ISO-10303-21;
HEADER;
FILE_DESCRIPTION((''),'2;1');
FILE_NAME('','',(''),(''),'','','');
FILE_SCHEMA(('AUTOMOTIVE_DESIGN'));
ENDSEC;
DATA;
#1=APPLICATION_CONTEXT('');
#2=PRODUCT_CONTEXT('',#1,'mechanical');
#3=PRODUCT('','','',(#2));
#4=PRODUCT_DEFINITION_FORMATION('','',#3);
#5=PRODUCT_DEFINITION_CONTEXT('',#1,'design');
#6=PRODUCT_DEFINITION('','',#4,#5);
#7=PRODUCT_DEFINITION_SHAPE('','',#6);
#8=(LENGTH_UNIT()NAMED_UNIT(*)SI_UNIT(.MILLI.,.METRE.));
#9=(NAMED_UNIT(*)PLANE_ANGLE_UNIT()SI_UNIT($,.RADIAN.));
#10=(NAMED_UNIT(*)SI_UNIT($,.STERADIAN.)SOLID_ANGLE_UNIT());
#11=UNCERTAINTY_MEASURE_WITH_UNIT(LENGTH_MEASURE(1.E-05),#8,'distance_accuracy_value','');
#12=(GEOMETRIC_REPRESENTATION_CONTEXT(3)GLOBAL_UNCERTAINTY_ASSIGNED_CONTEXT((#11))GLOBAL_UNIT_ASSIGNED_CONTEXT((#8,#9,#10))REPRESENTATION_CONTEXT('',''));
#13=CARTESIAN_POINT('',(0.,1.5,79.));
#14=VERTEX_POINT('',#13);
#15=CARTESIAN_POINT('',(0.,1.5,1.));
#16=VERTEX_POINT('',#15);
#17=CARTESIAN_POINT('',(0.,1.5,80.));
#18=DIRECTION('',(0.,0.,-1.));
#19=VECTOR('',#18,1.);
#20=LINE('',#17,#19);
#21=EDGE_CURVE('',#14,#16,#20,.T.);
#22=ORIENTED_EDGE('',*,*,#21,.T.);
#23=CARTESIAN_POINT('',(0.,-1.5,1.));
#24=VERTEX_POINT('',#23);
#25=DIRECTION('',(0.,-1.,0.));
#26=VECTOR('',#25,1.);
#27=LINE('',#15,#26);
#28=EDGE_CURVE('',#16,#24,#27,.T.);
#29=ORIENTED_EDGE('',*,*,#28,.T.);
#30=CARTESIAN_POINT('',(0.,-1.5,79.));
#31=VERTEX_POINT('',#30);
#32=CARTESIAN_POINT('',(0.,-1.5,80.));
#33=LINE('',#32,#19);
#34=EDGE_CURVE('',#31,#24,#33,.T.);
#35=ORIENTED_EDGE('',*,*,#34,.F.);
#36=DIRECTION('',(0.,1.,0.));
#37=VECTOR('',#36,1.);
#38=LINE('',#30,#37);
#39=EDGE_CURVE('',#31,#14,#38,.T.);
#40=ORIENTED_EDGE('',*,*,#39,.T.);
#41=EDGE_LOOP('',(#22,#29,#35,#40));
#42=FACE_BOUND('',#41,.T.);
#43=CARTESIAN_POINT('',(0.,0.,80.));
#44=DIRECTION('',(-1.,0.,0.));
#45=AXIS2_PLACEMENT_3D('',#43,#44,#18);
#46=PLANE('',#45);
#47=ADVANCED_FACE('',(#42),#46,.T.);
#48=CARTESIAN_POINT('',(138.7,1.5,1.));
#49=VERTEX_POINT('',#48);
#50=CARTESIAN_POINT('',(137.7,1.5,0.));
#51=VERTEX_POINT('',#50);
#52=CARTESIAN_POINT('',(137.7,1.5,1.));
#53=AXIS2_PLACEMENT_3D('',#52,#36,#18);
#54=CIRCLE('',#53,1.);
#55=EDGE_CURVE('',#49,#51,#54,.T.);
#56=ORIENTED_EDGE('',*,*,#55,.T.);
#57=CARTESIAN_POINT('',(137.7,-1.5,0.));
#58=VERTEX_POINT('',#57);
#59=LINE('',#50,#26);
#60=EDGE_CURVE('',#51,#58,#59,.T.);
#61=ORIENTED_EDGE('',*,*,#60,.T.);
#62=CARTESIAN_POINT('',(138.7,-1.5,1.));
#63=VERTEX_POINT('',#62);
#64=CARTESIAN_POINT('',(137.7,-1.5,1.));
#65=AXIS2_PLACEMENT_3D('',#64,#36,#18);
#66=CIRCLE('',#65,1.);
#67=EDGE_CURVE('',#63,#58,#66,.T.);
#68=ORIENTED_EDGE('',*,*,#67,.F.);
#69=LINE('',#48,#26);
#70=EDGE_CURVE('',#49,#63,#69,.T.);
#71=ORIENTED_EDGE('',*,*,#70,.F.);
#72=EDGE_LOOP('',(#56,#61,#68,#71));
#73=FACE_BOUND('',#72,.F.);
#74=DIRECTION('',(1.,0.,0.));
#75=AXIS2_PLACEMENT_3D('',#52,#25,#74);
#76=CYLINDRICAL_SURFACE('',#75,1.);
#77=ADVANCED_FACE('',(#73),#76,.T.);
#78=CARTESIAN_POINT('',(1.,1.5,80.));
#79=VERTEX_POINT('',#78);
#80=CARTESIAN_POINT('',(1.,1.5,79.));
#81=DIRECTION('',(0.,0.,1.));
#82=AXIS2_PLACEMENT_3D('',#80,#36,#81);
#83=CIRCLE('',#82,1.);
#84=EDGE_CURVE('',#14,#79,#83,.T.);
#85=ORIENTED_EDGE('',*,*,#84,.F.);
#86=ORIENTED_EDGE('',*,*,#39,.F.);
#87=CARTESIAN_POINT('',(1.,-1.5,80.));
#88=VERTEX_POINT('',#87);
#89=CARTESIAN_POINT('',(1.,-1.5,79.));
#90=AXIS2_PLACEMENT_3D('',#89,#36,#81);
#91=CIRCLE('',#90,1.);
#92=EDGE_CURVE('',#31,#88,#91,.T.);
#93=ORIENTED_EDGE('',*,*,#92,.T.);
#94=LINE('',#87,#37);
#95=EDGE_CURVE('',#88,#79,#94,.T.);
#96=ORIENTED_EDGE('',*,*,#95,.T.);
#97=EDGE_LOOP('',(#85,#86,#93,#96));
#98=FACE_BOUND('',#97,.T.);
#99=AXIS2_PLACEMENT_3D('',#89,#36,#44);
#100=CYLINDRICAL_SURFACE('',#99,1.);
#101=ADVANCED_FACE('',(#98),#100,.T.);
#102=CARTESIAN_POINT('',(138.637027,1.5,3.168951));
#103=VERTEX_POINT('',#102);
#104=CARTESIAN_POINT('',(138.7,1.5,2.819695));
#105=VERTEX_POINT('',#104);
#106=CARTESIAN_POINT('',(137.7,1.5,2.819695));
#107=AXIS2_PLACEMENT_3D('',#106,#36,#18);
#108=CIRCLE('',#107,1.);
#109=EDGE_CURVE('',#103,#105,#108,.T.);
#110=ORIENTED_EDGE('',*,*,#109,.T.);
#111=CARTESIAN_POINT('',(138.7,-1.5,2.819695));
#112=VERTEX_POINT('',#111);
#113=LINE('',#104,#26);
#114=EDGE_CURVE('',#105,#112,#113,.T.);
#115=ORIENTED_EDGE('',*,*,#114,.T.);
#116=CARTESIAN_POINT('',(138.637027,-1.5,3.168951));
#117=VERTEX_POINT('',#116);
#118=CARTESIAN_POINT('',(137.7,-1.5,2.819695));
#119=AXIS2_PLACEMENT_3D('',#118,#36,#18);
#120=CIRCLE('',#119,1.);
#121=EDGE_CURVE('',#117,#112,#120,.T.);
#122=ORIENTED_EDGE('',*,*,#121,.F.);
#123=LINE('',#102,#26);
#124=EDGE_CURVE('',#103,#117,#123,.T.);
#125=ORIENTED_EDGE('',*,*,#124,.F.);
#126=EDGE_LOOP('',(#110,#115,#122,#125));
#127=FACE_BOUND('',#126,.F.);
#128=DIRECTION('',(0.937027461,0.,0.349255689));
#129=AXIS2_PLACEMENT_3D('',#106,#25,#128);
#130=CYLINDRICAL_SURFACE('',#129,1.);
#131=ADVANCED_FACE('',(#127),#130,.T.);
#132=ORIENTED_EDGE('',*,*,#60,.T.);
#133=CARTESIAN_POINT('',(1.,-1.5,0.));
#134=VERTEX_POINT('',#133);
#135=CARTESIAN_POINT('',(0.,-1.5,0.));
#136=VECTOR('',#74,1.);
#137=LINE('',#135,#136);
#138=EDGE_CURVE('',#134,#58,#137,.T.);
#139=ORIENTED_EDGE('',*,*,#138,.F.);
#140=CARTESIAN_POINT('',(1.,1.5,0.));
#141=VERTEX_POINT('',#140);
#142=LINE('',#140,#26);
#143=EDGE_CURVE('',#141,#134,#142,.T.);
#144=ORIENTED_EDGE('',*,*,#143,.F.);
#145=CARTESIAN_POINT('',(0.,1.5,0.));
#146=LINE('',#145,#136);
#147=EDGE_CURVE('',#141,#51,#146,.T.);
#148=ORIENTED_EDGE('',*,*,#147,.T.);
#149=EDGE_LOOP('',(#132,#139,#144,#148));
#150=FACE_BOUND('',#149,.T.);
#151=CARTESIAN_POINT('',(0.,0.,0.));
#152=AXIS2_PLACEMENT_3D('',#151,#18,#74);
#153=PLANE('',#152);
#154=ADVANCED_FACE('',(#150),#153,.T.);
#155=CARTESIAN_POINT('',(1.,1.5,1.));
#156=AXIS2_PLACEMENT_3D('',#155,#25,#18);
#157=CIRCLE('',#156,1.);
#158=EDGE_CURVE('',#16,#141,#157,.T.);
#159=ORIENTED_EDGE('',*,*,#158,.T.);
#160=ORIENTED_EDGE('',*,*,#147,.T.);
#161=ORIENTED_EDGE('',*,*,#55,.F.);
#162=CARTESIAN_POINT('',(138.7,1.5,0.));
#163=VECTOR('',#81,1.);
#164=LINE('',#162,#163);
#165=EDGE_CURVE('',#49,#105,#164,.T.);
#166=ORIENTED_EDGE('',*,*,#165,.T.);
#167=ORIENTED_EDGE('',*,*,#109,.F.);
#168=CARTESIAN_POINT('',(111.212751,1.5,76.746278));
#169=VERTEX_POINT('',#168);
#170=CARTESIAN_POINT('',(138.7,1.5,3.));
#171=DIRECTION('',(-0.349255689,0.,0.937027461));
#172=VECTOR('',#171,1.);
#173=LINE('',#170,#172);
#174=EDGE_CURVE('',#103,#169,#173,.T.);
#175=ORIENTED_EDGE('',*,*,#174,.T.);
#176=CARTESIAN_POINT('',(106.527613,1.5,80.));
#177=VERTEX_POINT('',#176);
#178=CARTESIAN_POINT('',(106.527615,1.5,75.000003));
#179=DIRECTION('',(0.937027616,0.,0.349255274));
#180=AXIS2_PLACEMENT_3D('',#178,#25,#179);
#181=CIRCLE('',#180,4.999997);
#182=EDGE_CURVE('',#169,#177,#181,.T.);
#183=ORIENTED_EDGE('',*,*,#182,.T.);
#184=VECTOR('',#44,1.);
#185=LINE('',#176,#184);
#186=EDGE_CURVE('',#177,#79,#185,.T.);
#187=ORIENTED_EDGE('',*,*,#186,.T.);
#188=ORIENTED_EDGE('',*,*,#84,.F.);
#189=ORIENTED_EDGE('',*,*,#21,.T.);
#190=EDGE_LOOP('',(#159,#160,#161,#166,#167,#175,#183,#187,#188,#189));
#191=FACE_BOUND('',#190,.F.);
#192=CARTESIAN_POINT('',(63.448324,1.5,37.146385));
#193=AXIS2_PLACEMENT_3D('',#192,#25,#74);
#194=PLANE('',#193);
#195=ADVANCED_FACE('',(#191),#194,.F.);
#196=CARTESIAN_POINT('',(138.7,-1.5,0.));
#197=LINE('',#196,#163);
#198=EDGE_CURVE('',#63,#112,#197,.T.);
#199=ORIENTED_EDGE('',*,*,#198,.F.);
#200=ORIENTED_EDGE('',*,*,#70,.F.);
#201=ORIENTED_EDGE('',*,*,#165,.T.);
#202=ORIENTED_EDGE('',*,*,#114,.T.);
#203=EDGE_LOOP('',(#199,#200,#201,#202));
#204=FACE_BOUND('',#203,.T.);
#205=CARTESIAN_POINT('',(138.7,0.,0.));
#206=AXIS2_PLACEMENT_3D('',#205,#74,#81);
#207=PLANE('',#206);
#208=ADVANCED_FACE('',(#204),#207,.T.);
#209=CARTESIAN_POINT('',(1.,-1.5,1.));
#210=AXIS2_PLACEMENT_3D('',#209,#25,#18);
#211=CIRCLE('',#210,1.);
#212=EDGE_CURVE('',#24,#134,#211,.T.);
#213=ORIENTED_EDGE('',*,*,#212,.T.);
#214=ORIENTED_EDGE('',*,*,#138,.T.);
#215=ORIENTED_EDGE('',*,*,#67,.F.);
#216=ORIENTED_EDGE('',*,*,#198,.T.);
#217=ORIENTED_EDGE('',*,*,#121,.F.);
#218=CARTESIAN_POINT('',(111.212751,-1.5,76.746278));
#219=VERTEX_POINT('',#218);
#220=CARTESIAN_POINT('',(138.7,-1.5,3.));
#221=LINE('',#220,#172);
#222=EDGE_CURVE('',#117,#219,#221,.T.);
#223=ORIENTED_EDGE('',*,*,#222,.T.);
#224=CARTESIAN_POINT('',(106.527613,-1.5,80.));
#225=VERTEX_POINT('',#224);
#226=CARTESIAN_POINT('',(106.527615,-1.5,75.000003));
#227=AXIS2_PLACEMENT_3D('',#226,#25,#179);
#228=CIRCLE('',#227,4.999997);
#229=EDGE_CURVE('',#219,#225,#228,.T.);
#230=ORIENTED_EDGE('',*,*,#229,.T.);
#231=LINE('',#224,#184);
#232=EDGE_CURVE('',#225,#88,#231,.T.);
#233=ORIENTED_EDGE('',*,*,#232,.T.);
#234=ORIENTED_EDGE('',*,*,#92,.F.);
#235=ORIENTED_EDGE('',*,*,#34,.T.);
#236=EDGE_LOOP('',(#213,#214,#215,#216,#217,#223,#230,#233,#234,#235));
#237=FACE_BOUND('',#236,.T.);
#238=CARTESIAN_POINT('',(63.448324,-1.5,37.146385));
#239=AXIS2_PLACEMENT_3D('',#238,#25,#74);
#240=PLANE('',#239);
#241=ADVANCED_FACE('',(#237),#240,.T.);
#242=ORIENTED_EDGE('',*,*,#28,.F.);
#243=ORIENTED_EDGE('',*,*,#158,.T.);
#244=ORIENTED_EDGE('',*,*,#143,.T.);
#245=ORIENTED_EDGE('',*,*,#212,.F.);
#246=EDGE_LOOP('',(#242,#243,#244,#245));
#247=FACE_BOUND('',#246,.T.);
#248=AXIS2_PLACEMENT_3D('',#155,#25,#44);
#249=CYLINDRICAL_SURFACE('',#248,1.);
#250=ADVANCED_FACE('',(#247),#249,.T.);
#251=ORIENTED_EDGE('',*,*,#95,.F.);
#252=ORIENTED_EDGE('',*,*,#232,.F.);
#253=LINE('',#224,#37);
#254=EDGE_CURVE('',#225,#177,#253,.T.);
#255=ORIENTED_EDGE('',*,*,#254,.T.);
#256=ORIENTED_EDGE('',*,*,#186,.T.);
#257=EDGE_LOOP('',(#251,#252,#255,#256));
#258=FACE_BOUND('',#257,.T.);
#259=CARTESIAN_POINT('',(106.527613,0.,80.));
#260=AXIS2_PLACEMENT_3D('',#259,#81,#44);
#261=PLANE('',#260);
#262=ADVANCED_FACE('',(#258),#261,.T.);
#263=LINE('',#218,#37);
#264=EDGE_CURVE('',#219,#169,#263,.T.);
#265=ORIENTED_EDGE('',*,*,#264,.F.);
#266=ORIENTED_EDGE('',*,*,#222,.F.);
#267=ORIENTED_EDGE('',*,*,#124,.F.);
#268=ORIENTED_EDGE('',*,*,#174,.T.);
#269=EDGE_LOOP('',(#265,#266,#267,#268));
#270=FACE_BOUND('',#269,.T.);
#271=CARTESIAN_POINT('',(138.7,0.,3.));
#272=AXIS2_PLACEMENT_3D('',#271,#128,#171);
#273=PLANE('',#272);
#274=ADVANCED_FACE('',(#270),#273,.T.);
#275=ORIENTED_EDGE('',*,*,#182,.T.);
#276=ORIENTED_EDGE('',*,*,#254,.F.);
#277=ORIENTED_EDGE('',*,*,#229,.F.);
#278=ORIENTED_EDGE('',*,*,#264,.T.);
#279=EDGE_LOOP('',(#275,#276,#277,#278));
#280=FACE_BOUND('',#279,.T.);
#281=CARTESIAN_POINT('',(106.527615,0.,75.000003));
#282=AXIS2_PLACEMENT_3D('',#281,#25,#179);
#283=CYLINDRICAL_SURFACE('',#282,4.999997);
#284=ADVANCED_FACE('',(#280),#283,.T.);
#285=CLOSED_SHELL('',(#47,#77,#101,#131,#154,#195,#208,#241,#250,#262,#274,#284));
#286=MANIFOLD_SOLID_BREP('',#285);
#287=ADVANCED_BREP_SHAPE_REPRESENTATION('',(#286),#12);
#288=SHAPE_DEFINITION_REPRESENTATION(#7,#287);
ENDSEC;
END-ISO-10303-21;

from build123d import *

# Parameters (mm, degrees)
F1_DEPTH = 1.5
F2_R     = 1


with BuildPart() as f1:
    # F0 (on Front) → F1 (new body, symmetric)
    with BuildSketch(Plane.XZ):
        with BuildLine():
            Line((0, 80), (0, 0))
            Line((0, 0), (138.7, 0))
            Line((138.7, 0), (138.7, 3))
            Line((138.7, 3), (111.212751, 76.746278))
            ThreePointArc((111.212751, 76.746278), (109.379684, 79.106787), (106.527613, 80))
            Line((106.527613, 80), (0, 80))
        make_face()
    extrude(amount=F1_DEPTH, both=True)

    # F2
    f2_edges = [f1.edges().sort_by_distance(p)[0] for p in [
        (138.7, 0, 0),
        (138.7, 0, 3),
        (0, 0, 80),
        (0, 0, 0),
    ]]
    fillet(f2_edges, radius=F2_R)


solid = f1.part
